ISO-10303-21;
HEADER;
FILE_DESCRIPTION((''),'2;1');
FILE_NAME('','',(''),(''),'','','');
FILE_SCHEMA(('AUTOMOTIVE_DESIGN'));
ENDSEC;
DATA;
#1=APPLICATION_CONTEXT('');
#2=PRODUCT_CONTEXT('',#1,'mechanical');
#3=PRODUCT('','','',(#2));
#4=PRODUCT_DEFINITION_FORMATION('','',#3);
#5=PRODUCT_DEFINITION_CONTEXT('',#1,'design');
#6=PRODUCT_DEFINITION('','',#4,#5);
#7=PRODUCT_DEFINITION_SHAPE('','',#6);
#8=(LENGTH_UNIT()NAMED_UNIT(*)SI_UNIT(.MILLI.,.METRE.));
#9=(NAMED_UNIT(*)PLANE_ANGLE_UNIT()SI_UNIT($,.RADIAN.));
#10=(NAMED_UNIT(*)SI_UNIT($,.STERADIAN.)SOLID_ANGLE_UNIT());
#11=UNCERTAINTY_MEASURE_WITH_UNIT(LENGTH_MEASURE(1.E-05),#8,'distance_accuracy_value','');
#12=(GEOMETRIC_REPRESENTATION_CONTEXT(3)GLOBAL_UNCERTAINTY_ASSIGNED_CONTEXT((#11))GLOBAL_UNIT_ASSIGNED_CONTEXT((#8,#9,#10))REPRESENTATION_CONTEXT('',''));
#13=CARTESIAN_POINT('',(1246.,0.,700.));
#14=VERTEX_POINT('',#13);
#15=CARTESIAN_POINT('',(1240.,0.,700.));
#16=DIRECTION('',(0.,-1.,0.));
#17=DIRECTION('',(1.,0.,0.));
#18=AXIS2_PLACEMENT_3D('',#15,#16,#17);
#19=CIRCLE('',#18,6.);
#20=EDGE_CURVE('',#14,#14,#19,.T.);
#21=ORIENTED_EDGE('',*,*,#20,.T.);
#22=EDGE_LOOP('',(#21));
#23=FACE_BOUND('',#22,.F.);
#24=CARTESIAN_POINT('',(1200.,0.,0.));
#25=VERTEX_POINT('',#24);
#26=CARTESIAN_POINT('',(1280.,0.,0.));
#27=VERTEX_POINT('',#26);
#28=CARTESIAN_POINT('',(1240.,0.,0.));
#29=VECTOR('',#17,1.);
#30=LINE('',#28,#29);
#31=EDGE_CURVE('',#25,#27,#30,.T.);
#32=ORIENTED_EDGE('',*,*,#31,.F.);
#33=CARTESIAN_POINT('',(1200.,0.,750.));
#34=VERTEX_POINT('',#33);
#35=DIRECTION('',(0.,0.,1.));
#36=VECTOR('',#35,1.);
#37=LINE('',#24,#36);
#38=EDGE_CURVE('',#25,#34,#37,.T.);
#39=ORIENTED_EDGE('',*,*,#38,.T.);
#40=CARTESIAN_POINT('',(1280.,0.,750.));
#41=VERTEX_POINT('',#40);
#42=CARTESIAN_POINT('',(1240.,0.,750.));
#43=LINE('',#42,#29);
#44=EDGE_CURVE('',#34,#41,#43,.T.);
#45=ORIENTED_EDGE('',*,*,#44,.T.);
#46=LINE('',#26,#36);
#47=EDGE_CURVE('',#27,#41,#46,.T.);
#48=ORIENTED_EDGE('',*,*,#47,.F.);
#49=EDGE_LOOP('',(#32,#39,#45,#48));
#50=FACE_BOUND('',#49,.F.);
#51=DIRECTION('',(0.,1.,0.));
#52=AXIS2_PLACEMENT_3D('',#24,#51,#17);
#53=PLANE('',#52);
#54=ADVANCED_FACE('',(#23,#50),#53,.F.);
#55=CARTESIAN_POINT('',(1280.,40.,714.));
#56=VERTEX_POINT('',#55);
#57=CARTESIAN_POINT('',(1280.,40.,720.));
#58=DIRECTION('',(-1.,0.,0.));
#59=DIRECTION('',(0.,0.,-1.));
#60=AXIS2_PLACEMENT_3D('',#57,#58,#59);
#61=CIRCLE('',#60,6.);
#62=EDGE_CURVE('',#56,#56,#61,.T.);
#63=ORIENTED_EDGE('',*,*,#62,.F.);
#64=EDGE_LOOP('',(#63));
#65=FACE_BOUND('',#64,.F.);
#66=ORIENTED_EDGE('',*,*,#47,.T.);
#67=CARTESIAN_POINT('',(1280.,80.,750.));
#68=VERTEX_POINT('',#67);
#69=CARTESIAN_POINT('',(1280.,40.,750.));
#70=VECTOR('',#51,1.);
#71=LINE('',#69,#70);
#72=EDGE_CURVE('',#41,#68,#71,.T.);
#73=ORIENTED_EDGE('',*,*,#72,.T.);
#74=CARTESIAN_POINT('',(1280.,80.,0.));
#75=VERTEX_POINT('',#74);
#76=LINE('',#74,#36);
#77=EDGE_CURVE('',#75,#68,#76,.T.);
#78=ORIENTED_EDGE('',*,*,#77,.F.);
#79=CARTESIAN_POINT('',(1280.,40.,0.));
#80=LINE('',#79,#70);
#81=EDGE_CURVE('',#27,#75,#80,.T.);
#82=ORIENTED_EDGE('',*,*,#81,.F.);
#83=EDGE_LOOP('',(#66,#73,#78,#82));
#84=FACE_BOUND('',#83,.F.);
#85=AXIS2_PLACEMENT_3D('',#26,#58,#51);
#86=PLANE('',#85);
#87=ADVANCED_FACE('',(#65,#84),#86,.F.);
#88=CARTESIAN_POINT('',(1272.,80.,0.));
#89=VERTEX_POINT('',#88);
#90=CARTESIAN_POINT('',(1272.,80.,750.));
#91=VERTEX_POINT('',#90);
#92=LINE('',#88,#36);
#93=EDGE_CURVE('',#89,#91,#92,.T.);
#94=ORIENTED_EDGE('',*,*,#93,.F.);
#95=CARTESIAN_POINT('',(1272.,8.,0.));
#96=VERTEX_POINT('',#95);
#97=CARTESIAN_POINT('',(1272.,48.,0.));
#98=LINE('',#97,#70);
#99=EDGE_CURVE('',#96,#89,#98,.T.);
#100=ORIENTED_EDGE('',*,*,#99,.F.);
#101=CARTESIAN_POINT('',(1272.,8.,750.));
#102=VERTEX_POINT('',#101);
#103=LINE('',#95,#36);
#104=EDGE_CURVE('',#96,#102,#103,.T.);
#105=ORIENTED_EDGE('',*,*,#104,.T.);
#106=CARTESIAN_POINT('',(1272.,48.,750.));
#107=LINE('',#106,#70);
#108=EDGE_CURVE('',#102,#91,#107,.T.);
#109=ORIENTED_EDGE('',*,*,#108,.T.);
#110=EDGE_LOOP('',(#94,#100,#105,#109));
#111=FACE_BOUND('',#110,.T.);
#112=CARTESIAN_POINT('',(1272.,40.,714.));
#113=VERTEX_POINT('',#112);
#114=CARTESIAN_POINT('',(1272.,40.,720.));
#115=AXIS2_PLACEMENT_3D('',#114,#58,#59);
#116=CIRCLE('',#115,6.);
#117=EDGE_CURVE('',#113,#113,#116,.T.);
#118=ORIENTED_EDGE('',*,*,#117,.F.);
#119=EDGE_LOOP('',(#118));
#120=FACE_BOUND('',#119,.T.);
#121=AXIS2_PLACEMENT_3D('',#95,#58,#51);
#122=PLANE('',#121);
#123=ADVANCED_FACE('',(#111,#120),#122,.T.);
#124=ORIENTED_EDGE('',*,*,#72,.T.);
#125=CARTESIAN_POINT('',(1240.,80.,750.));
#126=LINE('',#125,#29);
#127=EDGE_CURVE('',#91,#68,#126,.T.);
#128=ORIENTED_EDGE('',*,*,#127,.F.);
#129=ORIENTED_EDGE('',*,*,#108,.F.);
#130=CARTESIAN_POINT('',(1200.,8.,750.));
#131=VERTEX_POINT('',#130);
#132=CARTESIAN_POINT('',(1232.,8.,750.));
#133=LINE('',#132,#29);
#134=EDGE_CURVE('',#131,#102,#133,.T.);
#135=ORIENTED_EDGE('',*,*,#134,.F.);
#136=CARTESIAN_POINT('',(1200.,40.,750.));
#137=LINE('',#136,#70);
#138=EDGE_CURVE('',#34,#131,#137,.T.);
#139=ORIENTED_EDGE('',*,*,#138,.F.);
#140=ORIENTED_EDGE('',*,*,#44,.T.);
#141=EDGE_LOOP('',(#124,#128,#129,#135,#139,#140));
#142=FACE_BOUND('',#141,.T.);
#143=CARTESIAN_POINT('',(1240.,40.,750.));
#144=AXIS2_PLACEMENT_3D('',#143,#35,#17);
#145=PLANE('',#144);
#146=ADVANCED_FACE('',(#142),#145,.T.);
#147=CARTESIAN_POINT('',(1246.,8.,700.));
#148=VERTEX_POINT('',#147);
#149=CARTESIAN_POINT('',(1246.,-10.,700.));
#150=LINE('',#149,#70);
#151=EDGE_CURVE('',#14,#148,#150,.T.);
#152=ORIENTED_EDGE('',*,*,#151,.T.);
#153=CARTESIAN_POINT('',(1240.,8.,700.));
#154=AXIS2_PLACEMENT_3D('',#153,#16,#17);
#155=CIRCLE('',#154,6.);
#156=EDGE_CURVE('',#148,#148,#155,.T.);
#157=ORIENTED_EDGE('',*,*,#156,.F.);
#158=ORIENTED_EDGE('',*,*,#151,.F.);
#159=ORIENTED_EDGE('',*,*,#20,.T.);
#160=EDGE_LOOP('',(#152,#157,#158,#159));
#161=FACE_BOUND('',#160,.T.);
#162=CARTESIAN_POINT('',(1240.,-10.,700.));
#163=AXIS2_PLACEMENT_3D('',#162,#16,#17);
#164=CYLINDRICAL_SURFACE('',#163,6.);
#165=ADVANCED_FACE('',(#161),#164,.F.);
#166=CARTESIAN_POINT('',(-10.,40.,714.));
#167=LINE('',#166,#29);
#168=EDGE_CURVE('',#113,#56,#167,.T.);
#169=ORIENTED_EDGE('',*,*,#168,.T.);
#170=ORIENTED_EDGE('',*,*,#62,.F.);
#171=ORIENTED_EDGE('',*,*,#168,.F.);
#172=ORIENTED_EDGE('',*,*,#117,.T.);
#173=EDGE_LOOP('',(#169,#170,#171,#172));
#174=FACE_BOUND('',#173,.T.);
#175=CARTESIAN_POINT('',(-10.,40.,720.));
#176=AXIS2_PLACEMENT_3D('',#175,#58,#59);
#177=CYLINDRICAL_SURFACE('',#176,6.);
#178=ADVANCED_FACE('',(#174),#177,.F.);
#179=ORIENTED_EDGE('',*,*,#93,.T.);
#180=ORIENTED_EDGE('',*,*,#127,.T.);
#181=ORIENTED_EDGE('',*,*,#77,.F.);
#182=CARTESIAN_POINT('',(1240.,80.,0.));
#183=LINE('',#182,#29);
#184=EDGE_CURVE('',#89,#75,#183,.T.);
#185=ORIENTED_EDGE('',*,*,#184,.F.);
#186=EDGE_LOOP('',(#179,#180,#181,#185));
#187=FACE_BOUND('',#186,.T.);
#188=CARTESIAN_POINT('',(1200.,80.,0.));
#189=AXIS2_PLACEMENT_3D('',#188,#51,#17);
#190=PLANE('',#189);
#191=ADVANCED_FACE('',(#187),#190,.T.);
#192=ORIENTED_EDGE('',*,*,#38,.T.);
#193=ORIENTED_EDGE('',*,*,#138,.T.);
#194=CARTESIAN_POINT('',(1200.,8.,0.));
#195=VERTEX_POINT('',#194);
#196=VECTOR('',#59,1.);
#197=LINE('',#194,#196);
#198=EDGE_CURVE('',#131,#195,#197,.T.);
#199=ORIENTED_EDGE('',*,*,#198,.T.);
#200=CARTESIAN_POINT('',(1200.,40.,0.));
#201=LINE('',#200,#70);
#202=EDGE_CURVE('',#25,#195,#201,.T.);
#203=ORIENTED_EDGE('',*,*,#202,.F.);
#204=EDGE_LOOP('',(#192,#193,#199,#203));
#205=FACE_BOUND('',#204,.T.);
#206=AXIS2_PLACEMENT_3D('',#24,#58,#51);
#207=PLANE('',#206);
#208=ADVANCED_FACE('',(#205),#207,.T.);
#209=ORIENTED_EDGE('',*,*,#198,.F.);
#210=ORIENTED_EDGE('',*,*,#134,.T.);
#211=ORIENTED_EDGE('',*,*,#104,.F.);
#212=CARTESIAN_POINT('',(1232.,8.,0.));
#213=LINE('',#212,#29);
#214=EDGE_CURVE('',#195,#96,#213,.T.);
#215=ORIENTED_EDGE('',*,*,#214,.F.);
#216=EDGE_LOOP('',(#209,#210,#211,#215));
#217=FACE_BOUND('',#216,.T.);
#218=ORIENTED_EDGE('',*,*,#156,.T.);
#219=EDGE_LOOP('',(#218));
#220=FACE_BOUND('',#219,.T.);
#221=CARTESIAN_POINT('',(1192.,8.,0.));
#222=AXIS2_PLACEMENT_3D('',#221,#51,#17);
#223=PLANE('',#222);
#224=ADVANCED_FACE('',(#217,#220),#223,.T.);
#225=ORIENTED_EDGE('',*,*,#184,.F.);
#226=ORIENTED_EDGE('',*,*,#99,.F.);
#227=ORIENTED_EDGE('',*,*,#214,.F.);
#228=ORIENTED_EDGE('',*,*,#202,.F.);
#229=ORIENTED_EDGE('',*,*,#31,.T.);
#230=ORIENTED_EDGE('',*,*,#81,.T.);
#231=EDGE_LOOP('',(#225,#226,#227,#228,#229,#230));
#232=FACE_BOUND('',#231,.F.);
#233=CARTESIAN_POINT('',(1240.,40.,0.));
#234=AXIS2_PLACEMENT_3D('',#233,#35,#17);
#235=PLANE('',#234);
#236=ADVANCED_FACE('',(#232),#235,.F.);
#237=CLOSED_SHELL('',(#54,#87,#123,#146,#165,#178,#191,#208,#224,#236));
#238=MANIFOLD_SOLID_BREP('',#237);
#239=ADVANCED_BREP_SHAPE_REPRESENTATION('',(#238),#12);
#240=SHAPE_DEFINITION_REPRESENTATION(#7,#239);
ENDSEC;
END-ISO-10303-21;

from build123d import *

# Parameters (mm, degrees)
CYLINDER003_R          = 6
CYLINDER003_DEPTH      = 900
CYLINDER003_ROLL_ANGLE = -90
CYLINDER_R             = 6
CYLINDER_DEPTH         = 1300
CYLINDER_PITCH_ANGLE   = 90
BOX005_W               = 80
BOX005_H               = 80
BOX005_DEPTH           = 750
BOX004_W               = 80
BOX004_H               = 80
BOX004_DEPTH           = 750


with BuildPart() as cylinder003:
    # Cylinder003 → Cylinder003 (new body)
    with BuildSketch(Plane.XY):
        Circle(CYLINDER003_R)
    extrude(amount=CYLINDER003_DEPTH)


with BuildPart() as cylinder003_1:
    # Cylinder003 roll: moved
    add(cylinder003.part.rotate(Axis((0, 0, 0), (1, 0, 0)), CYLINDER003_ROLL_ANGLE))


with BuildPart() as cylinder003_2:
    # Cylinder003 placement: moved
    add(cylinder003_1.part.moved(Location((1240, -10, 700))))


with BuildPart() as cylinder:
    # Cylinder → Cylinder (new body)
    with BuildSketch(Plane.XY):
        Circle(CYLINDER_R)
    extrude(amount=CYLINDER_DEPTH)


with BuildPart() as cylinder_1:
    # Cylinder pitch: moved
    add(cylinder.part.rotate(Axis((0, 0, 0), (0, 1, 0)), CYLINDER_PITCH_ANGLE))


with BuildPart() as cylinder_2:
    # Cylinder placement: moved
    add(cylinder_1.part.moved(Location((-10, 40, 720))))


with BuildPart() as cube005:
    # Box005 → Box005 (new body)
    with BuildSketch(Plane(origin=(1192, 8, 0), x_dir=(1, 0, 0), z_dir=(0, 0, 1))):
        with Locations((40, 40)):
            Rectangle(BOX005_W, BOX005_H)
    extrude(amount=BOX005_DEPTH)


with BuildPart() as cut011:
    # Box004 → Box004 (new body)
    with BuildSketch(Plane(origin=(1200, 0, 0), x_dir=(1, 0, 0), z_dir=(0, 0, 1))):
        with Locations((40, 40)):
            Rectangle(BOX004_W, BOX004_H)
    extrude(amount=BOX004_DEPTH)

    # Cut002: cut Cube005
    add(cube005.part, mode=Mode.SUBTRACT)

    # Cut005: cut Cylinder
    add(cylinder_2.part, mode=Mode.SUBTRACT)

    # Cut011: cut Cylinder003
    add(cylinder003_2.part, mode=Mode.SUBTRACT)


solid = cut011.part
